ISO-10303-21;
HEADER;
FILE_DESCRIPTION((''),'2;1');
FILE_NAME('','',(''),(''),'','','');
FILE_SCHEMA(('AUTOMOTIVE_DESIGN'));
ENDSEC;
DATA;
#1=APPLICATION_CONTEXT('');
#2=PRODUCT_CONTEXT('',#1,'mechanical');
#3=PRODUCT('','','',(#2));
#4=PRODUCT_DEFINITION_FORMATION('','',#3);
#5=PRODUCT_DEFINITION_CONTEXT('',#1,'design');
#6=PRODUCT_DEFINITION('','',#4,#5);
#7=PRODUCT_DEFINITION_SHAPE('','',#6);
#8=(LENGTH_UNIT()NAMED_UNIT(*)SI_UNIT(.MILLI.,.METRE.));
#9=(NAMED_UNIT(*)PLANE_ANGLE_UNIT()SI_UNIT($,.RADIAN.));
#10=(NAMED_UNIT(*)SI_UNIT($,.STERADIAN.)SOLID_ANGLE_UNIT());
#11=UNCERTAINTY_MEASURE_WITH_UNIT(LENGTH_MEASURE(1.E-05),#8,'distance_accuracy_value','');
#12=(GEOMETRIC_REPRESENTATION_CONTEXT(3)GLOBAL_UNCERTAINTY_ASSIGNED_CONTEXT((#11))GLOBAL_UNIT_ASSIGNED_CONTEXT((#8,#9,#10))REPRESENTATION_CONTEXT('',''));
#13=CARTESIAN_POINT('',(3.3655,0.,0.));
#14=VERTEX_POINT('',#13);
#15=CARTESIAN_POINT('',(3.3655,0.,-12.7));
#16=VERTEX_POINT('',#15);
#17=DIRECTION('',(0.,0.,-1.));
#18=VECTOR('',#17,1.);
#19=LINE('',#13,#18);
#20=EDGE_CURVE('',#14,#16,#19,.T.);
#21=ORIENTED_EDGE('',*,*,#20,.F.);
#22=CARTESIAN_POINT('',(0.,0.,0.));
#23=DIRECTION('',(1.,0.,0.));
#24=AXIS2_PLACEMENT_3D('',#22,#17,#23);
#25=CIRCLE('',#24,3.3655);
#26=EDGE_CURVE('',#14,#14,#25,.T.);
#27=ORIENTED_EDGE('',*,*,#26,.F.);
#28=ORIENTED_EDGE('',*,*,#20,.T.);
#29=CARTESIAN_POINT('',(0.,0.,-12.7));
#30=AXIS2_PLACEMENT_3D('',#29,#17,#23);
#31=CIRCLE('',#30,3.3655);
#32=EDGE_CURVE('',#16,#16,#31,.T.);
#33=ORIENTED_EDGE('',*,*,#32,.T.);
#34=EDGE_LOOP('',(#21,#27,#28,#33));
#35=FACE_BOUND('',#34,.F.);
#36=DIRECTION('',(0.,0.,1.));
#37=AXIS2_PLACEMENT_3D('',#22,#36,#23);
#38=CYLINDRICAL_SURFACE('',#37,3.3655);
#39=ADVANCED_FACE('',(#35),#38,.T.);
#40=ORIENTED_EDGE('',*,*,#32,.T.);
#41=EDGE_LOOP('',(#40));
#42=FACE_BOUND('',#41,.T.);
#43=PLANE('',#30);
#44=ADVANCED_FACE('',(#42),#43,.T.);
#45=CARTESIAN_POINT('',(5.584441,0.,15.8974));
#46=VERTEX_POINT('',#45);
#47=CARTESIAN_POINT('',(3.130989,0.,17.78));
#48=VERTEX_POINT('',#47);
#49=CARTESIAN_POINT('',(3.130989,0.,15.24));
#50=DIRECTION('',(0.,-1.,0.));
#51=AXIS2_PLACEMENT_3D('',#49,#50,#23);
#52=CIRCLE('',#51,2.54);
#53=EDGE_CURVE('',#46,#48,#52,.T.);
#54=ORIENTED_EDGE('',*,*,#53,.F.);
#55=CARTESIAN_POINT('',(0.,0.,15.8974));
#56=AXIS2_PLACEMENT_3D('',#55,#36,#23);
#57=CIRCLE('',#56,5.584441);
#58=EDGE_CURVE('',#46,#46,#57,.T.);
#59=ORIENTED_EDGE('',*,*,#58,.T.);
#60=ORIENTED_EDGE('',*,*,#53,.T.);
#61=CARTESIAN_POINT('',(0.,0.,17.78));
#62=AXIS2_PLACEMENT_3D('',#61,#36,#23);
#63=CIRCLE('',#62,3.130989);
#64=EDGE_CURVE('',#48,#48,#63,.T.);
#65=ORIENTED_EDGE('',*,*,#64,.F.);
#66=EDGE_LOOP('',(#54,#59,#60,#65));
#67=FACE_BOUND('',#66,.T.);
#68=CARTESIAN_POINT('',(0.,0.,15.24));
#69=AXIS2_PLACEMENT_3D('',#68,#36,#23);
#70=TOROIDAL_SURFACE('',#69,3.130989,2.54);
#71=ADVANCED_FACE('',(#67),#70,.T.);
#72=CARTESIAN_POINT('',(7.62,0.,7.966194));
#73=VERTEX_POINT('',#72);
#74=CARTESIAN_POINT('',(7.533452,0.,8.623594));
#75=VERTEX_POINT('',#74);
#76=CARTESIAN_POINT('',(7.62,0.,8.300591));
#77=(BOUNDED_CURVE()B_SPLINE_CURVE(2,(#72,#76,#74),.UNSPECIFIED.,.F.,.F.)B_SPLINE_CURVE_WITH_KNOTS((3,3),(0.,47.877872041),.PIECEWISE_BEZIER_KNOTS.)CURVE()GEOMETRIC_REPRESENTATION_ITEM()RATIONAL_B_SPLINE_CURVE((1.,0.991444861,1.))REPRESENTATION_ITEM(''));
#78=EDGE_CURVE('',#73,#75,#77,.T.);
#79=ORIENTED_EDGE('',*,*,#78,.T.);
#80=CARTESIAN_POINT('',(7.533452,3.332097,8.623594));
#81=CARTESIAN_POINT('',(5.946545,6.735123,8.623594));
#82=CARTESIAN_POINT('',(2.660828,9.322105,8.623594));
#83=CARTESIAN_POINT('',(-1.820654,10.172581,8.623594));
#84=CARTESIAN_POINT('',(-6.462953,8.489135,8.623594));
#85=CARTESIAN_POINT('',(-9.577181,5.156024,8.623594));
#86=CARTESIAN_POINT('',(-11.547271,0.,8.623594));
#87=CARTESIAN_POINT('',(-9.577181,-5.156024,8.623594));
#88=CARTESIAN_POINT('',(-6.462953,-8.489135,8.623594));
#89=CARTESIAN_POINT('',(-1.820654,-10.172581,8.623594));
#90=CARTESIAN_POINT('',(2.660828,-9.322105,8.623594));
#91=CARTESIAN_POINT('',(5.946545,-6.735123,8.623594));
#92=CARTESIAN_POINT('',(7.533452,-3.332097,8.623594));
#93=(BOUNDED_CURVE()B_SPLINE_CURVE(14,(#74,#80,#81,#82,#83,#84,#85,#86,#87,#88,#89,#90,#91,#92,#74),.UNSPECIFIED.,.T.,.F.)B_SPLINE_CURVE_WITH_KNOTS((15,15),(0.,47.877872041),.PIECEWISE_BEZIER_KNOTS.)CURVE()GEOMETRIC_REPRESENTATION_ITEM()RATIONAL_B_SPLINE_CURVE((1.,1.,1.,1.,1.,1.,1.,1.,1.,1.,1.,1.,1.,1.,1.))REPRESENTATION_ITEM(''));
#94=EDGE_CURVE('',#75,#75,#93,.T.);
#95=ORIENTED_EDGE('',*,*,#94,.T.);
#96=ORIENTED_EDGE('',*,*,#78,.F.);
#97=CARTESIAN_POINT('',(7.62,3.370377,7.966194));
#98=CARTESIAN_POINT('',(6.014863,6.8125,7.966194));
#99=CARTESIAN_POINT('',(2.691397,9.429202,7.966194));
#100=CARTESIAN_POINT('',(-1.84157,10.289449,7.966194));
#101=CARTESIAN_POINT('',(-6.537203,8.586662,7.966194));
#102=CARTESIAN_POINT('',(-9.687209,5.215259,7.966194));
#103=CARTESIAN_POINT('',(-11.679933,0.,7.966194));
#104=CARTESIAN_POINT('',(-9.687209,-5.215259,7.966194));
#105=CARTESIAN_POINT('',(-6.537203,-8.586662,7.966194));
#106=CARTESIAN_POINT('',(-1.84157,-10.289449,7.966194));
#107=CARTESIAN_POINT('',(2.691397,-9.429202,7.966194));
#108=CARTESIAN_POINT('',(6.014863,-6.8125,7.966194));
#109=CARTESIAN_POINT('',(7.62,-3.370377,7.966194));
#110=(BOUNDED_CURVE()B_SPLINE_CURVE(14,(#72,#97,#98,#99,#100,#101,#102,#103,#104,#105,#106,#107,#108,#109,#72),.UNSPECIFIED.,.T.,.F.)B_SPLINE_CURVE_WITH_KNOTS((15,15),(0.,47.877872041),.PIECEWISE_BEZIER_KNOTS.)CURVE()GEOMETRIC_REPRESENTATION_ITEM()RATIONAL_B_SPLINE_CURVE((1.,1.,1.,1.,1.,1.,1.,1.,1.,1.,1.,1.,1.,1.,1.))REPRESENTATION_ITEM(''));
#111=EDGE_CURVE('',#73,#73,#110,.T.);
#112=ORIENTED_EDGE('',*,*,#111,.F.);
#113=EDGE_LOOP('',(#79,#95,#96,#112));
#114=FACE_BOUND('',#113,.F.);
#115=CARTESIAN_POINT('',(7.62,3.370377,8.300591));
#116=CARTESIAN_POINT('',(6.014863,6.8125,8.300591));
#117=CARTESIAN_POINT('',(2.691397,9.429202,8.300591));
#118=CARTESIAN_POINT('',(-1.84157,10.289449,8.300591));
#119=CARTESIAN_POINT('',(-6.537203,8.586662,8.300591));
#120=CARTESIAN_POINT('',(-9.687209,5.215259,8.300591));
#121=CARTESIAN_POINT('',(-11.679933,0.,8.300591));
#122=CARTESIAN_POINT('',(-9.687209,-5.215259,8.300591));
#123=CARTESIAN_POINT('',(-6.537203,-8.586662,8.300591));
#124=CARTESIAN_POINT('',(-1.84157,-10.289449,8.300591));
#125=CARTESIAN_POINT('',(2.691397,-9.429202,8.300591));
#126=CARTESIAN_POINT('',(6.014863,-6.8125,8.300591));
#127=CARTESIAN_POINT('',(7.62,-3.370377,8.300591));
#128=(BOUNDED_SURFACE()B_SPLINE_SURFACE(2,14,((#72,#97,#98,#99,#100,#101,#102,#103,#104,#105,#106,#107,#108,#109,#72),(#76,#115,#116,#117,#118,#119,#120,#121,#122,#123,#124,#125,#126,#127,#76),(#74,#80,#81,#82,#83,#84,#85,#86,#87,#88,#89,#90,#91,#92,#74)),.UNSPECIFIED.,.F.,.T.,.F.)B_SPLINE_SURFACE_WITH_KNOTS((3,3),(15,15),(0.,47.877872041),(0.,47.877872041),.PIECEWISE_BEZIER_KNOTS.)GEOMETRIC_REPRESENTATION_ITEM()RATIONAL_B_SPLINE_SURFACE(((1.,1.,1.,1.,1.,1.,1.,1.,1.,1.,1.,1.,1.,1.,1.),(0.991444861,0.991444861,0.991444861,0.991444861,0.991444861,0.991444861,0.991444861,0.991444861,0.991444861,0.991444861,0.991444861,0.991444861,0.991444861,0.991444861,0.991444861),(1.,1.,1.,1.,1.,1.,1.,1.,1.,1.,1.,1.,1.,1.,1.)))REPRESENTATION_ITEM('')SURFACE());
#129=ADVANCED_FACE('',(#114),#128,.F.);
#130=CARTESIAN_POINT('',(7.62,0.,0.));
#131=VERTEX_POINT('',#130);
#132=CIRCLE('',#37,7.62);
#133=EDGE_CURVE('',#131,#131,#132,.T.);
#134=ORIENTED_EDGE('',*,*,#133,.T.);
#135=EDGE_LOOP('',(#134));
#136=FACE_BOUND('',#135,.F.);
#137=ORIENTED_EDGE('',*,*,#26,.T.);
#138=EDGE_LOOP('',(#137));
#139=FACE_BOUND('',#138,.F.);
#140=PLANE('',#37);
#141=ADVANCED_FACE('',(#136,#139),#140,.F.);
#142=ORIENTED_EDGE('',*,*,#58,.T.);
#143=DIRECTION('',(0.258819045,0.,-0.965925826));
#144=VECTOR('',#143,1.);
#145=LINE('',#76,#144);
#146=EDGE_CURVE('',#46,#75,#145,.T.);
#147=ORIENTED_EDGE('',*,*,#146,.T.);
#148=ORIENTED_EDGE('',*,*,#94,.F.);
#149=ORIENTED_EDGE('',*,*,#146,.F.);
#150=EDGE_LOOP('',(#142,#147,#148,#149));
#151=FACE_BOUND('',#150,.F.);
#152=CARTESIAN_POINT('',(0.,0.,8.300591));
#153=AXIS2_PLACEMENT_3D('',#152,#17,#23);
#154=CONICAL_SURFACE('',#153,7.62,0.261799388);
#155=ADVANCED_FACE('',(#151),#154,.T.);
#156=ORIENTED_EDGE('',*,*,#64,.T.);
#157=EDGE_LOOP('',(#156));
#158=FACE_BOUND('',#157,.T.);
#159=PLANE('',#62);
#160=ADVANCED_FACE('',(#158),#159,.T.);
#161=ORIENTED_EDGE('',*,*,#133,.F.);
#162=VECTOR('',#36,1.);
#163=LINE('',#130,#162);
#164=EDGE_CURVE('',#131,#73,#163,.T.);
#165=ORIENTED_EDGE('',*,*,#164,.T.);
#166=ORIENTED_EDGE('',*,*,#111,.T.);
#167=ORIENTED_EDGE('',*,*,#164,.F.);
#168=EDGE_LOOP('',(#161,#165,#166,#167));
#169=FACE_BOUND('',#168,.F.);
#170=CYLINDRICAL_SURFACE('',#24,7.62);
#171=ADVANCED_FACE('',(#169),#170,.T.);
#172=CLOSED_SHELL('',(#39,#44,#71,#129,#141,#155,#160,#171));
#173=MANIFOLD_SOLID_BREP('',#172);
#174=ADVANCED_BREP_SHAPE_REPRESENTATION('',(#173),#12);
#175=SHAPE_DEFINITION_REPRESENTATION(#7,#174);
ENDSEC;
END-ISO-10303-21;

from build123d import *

# Parameters (mm, degrees)
F0_R     = 7.62
F1_DEPTH = 17.78
F2_SIZE2 = 9.4794090512
F2_SIZE  = 2.54
F3_R     = 2.54
F4_R     = 3.3655
F5_DEPTH = 12.7


with BuildPart() as f1:
    # F0 (on Top) → F1 (new body)
    with BuildSketch(Plane.XY):
        Circle(F0_R)
    extrude(amount=F1_DEPTH)

    # F2
    f2_edges = [f1.edges().sort_by_distance(p)[0] for p in [
        (-7.62, 0, 17.78),
    ]]
    f2_side = f1.faces().sort_by_distance((0, 0, 17.78))[0]
    chamfer(f2_edges, length=F2_SIZE, length2=F2_SIZE2, reference=f2_side)

    # F3
    f3_edges = [f1.edges().sort_by_distance(p)[0] for p in [
        (-5.08, 0, 17.78),
        (-7.62, 0, 8.300591),
    ]]
    fillet(f3_edges, radius=F3_R)

    # F4 (on face) → F5 (join)
    with BuildSketch(Plane(origin=(0, 0, 0), x_dir=(1, 0, 0), z_dir=(0, 0, -1))):
        Circle(F4_R)
    extrude(amount=F5_DEPTH)


solid = f1.part
